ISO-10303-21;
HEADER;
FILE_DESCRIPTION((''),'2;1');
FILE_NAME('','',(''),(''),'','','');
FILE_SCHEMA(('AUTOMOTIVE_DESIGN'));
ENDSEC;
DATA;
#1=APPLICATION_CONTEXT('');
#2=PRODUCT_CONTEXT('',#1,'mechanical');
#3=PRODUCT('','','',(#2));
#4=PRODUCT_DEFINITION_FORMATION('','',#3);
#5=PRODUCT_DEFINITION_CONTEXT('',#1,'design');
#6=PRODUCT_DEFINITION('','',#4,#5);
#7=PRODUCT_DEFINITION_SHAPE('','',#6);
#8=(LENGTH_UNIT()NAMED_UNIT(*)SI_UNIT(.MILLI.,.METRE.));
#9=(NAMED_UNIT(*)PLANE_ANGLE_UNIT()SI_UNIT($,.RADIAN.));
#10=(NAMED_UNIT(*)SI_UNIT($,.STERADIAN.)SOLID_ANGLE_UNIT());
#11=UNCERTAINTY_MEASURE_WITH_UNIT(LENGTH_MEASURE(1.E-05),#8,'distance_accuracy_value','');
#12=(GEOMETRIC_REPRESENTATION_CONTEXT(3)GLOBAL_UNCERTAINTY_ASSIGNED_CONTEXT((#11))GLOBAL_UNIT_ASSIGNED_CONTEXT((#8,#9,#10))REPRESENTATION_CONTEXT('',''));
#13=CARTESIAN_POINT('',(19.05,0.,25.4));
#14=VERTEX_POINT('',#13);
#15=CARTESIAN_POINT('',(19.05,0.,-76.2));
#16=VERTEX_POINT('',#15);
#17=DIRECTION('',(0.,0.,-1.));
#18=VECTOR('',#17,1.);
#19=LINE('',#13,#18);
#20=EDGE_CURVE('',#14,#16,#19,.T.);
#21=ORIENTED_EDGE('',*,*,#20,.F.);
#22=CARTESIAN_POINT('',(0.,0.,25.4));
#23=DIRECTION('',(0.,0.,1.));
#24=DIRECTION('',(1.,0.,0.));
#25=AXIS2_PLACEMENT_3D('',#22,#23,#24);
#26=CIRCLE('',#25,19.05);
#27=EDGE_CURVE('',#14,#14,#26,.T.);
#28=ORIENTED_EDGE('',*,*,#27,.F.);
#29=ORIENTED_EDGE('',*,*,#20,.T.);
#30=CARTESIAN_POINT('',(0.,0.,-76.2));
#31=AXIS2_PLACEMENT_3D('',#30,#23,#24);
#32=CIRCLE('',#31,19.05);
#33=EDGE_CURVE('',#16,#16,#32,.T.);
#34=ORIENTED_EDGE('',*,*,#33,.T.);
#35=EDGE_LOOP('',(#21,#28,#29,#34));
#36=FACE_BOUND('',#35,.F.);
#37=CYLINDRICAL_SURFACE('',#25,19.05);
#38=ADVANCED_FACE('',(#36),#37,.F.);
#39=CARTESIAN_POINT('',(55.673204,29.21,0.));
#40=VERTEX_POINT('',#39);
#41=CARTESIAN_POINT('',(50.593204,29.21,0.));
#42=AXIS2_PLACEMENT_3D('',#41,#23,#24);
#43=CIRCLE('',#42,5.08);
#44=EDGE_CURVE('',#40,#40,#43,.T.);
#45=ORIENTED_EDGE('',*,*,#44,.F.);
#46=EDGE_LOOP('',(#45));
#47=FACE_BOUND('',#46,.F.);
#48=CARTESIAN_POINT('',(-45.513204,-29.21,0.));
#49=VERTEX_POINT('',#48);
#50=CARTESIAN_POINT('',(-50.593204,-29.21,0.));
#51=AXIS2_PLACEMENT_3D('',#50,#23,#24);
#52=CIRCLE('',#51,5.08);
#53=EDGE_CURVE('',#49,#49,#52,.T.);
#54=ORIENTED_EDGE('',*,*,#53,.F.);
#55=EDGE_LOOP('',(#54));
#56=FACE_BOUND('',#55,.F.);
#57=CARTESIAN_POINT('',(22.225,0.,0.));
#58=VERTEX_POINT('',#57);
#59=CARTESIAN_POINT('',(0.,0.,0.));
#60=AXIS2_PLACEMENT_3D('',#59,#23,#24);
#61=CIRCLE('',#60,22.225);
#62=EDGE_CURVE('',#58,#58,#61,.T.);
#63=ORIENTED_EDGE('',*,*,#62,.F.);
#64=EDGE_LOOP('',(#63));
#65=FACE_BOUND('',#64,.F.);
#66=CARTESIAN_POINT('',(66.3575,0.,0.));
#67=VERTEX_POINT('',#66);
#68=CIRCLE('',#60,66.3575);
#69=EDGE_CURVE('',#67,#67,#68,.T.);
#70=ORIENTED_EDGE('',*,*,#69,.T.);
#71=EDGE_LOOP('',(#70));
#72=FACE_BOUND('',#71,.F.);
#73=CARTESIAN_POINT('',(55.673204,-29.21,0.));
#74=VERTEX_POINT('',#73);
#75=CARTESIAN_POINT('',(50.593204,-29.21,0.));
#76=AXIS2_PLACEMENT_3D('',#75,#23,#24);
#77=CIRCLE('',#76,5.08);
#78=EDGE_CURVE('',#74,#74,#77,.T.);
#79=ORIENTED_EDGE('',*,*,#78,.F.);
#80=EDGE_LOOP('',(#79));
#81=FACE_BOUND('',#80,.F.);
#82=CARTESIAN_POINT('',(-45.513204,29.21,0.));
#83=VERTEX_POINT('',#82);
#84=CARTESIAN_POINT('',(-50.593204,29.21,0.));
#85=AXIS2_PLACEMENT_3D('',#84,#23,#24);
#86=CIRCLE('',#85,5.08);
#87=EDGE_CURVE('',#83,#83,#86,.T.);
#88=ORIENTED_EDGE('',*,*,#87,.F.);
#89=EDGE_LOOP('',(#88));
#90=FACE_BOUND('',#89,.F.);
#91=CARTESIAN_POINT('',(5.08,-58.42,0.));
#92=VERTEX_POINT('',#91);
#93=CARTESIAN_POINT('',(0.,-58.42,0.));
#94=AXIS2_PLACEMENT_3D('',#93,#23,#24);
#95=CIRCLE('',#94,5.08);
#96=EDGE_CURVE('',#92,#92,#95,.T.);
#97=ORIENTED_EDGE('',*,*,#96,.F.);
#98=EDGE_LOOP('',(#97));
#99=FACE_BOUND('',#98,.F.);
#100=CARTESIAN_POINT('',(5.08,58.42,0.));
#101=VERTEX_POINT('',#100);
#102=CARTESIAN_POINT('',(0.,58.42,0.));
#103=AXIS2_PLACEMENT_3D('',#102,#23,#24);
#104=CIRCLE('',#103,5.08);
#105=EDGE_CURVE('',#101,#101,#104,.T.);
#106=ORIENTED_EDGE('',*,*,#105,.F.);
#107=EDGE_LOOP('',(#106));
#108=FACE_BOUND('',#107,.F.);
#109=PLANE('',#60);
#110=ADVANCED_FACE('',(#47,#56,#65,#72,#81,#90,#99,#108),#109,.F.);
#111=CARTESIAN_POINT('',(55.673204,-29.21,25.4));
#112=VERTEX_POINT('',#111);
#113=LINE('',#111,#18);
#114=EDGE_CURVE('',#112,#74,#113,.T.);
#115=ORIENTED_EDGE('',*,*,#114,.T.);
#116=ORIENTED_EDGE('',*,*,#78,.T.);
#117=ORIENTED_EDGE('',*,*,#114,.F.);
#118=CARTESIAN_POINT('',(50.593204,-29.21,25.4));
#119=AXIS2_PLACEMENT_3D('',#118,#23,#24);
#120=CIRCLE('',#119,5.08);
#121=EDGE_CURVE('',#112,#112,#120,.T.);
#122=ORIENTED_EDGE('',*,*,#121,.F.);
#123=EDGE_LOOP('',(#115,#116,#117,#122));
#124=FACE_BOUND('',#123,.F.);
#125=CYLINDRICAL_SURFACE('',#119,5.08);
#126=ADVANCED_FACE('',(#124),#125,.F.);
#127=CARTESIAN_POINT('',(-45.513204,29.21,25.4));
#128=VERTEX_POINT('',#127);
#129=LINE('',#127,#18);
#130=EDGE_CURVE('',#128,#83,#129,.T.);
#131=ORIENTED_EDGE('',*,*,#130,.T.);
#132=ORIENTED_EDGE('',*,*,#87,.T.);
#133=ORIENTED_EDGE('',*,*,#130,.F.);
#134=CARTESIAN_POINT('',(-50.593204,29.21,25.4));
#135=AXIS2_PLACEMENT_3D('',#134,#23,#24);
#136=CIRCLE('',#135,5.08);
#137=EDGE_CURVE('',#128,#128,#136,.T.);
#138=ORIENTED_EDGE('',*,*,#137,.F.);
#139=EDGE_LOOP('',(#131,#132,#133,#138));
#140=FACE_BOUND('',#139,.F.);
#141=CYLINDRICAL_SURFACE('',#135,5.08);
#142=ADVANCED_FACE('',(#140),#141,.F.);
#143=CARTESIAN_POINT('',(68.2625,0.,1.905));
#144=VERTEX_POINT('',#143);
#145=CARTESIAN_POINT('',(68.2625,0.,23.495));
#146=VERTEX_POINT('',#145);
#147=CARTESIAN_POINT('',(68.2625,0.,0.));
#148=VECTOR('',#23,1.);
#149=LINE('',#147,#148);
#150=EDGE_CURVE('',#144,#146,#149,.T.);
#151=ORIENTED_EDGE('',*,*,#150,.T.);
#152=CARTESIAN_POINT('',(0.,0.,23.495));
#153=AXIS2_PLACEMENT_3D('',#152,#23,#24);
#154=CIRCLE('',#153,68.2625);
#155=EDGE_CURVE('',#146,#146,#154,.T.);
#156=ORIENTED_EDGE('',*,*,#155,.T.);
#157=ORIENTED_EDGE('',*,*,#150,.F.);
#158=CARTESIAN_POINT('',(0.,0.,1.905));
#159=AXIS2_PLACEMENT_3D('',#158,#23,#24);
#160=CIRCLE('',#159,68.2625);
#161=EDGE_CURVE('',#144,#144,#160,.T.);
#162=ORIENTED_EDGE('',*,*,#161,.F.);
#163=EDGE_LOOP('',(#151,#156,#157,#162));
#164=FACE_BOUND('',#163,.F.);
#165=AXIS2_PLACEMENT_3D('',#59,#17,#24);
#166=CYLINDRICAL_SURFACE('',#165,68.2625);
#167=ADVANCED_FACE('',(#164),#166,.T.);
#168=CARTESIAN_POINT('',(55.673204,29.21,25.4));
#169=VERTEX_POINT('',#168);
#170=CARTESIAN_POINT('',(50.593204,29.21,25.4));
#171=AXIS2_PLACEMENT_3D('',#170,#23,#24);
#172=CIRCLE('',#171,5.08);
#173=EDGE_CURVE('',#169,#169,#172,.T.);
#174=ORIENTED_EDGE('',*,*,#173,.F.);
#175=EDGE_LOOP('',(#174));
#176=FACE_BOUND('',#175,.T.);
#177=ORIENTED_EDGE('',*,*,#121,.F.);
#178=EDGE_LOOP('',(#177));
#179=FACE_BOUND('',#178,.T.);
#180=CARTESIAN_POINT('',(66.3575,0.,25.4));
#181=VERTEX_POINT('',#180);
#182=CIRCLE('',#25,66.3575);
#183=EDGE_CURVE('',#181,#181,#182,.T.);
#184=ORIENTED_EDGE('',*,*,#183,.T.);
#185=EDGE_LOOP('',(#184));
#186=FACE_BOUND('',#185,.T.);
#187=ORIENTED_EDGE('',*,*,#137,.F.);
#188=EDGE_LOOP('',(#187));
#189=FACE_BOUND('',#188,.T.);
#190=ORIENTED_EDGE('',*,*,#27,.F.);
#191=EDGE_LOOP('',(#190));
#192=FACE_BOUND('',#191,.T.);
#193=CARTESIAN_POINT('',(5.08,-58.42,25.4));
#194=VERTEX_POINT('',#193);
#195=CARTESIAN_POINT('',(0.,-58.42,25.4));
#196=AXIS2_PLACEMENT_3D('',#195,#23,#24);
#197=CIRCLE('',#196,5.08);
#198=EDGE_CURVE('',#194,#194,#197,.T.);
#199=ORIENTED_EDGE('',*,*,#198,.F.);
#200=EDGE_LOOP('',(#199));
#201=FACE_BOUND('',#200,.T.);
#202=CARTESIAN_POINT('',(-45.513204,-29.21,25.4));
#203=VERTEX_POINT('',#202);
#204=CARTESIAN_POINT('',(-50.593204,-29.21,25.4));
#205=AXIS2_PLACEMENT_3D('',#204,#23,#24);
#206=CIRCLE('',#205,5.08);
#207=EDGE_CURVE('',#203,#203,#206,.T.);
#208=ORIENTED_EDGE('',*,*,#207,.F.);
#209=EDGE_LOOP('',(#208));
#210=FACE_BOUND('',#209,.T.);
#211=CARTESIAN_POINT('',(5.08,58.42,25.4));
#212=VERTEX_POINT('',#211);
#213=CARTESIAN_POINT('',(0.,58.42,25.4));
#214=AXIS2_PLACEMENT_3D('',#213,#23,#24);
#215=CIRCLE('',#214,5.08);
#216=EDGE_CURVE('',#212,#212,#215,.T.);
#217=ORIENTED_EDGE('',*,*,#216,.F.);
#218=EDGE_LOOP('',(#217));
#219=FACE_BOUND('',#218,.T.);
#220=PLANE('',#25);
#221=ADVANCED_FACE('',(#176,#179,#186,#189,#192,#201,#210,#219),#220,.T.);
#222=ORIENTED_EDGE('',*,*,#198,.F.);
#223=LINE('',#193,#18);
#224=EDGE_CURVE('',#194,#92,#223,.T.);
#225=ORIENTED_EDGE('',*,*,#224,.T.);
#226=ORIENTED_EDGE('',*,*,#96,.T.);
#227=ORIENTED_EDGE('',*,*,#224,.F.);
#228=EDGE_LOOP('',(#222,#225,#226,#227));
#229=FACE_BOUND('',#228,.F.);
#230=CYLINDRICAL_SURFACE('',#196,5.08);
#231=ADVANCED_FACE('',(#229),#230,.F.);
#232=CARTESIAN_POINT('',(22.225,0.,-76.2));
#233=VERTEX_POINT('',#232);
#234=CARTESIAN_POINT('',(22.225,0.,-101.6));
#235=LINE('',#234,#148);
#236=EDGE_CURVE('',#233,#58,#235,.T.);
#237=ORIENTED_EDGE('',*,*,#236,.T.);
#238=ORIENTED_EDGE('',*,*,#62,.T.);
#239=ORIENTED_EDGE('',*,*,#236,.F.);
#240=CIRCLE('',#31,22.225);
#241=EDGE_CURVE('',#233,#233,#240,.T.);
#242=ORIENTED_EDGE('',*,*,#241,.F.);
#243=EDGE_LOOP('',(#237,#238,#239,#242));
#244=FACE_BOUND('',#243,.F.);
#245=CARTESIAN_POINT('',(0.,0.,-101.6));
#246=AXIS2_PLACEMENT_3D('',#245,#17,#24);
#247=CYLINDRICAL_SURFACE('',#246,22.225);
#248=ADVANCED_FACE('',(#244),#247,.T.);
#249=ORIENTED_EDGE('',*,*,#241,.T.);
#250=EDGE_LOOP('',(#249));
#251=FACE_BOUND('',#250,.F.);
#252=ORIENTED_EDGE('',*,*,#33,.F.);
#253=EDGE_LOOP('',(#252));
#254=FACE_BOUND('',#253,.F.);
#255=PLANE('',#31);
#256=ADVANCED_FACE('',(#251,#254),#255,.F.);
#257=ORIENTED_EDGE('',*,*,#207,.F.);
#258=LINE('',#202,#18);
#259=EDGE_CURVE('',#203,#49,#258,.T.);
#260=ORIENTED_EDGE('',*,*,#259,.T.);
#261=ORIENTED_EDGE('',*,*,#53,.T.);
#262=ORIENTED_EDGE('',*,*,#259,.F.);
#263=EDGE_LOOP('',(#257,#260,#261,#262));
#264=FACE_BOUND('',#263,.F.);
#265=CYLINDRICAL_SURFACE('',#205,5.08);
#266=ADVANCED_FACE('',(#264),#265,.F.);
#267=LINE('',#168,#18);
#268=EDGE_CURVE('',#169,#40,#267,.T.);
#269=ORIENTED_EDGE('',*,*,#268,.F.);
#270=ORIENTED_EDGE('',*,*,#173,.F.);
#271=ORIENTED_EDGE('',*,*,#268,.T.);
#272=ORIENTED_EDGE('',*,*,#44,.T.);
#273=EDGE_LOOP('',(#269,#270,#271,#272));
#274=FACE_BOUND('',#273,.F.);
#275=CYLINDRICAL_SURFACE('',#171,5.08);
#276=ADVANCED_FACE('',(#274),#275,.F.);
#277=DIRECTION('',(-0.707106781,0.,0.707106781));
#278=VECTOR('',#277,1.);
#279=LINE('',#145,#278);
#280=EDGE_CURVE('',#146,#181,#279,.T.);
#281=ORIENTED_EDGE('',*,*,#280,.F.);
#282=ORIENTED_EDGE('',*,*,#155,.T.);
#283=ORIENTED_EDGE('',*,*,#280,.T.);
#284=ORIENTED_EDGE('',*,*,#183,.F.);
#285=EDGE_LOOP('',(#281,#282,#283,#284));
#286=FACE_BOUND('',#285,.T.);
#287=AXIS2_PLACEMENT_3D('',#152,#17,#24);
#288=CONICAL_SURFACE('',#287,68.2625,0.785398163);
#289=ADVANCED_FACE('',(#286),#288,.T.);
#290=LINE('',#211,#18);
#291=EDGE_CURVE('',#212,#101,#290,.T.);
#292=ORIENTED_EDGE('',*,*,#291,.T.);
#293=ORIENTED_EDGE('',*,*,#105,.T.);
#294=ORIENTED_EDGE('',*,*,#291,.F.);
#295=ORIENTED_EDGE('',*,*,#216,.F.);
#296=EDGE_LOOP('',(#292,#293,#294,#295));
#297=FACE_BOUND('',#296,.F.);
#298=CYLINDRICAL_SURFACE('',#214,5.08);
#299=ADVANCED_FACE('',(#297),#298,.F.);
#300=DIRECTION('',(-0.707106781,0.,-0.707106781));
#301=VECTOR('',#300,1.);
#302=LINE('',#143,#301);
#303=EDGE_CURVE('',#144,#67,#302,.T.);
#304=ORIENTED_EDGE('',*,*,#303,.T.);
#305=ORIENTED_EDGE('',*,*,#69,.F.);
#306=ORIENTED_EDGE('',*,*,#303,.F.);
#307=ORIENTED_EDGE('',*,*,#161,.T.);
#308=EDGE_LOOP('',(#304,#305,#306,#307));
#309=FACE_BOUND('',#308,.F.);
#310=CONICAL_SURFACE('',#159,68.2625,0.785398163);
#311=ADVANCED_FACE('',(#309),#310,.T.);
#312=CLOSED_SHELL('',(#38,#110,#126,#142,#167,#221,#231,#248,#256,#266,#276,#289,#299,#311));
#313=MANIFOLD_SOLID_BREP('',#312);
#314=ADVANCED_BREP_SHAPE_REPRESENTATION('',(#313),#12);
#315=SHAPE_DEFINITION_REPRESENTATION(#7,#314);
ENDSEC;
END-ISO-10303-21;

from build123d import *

# Parameters (mm, degrees)
F0_R      = 68.2625
F1_DEPTH  = 25.4
F2_R      = 38.1
F3_DEPTH  = 101.6
F4_R      = 19.05
F5_DEPTH  = 101.6
F6_R      = 22.225
F7_DEPTH  = 76.2
F8_R      = 5.08
F9_DEPTH  = 25.4
F10_SIZE  = 1.905
F11_DEPTH = 101.6


with BuildPart() as f1:
    # F0 (on Top) → F1 (new body)
    with BuildSketch(Plane.XY):
        Circle(F0_R)
    extrude(amount=F1_DEPTH)

    # F2 (on face) → F3 (join)
    with BuildSketch(Plane(origin=(0, 0, 0), x_dir=(1, 0, 0), z_dir=(0, 0, -1))):
        Circle(F2_R)
    extrude(amount=F3_DEPTH)

    # F4 (on face) → F5 (cut)
    with BuildSketch(Plane.XY.offset(25.4)):
        Circle(F4_R)
    extrude(amount=-F5_DEPTH, mode=Mode.SUBTRACT)

    # F6 (on face) → F7 (cut)
    with BuildSketch(Plane.XY.offset(-76.2)):
        Circle(F6_R)
    extrude(amount=-F7_DEPTH, mode=Mode.SUBTRACT)

    # F8 (on face) → F9 (cut)
    with BuildSketch(Plane.XY.offset(25.4)):
        with Locations((0, 58.42)):
            Circle(F8_R)
        with Locations((-50.5932040891, 29.21)):
            Circle(F8_R)
        with Locations((-50.5932040891, -29.21)):
            Circle(F8_R)
        with Locations((0, -58.42)):
            Circle(F8_R)
        with Locations((50.5932040891, -29.21)):
            Circle(F8_R)
        with Locations((50.5932040891, 29.21)):
            Circle(F8_R)
    extrude(amount=-F9_DEPTH, mode=Mode.SUBTRACT)

    # F10
    f10_edges = [f1.edges().sort_by_distance(p)[0] for p in [
        (-68.2625, 0, 25.4),
        (-68.2625, 0, 0),
    ]]
    chamfer(f10_edges, length=F10_SIZE)

    # F11 (cut): a face of the model
    f11_faces = [f1.faces().sort_by_distance(p)[0] for p in [
        (-37.0223692655, 0, -101.6),
    ]]
    extrude(f11_faces, amount=-F11_DEPTH, mode=Mode.SUBTRACT)


solid = f1.part
